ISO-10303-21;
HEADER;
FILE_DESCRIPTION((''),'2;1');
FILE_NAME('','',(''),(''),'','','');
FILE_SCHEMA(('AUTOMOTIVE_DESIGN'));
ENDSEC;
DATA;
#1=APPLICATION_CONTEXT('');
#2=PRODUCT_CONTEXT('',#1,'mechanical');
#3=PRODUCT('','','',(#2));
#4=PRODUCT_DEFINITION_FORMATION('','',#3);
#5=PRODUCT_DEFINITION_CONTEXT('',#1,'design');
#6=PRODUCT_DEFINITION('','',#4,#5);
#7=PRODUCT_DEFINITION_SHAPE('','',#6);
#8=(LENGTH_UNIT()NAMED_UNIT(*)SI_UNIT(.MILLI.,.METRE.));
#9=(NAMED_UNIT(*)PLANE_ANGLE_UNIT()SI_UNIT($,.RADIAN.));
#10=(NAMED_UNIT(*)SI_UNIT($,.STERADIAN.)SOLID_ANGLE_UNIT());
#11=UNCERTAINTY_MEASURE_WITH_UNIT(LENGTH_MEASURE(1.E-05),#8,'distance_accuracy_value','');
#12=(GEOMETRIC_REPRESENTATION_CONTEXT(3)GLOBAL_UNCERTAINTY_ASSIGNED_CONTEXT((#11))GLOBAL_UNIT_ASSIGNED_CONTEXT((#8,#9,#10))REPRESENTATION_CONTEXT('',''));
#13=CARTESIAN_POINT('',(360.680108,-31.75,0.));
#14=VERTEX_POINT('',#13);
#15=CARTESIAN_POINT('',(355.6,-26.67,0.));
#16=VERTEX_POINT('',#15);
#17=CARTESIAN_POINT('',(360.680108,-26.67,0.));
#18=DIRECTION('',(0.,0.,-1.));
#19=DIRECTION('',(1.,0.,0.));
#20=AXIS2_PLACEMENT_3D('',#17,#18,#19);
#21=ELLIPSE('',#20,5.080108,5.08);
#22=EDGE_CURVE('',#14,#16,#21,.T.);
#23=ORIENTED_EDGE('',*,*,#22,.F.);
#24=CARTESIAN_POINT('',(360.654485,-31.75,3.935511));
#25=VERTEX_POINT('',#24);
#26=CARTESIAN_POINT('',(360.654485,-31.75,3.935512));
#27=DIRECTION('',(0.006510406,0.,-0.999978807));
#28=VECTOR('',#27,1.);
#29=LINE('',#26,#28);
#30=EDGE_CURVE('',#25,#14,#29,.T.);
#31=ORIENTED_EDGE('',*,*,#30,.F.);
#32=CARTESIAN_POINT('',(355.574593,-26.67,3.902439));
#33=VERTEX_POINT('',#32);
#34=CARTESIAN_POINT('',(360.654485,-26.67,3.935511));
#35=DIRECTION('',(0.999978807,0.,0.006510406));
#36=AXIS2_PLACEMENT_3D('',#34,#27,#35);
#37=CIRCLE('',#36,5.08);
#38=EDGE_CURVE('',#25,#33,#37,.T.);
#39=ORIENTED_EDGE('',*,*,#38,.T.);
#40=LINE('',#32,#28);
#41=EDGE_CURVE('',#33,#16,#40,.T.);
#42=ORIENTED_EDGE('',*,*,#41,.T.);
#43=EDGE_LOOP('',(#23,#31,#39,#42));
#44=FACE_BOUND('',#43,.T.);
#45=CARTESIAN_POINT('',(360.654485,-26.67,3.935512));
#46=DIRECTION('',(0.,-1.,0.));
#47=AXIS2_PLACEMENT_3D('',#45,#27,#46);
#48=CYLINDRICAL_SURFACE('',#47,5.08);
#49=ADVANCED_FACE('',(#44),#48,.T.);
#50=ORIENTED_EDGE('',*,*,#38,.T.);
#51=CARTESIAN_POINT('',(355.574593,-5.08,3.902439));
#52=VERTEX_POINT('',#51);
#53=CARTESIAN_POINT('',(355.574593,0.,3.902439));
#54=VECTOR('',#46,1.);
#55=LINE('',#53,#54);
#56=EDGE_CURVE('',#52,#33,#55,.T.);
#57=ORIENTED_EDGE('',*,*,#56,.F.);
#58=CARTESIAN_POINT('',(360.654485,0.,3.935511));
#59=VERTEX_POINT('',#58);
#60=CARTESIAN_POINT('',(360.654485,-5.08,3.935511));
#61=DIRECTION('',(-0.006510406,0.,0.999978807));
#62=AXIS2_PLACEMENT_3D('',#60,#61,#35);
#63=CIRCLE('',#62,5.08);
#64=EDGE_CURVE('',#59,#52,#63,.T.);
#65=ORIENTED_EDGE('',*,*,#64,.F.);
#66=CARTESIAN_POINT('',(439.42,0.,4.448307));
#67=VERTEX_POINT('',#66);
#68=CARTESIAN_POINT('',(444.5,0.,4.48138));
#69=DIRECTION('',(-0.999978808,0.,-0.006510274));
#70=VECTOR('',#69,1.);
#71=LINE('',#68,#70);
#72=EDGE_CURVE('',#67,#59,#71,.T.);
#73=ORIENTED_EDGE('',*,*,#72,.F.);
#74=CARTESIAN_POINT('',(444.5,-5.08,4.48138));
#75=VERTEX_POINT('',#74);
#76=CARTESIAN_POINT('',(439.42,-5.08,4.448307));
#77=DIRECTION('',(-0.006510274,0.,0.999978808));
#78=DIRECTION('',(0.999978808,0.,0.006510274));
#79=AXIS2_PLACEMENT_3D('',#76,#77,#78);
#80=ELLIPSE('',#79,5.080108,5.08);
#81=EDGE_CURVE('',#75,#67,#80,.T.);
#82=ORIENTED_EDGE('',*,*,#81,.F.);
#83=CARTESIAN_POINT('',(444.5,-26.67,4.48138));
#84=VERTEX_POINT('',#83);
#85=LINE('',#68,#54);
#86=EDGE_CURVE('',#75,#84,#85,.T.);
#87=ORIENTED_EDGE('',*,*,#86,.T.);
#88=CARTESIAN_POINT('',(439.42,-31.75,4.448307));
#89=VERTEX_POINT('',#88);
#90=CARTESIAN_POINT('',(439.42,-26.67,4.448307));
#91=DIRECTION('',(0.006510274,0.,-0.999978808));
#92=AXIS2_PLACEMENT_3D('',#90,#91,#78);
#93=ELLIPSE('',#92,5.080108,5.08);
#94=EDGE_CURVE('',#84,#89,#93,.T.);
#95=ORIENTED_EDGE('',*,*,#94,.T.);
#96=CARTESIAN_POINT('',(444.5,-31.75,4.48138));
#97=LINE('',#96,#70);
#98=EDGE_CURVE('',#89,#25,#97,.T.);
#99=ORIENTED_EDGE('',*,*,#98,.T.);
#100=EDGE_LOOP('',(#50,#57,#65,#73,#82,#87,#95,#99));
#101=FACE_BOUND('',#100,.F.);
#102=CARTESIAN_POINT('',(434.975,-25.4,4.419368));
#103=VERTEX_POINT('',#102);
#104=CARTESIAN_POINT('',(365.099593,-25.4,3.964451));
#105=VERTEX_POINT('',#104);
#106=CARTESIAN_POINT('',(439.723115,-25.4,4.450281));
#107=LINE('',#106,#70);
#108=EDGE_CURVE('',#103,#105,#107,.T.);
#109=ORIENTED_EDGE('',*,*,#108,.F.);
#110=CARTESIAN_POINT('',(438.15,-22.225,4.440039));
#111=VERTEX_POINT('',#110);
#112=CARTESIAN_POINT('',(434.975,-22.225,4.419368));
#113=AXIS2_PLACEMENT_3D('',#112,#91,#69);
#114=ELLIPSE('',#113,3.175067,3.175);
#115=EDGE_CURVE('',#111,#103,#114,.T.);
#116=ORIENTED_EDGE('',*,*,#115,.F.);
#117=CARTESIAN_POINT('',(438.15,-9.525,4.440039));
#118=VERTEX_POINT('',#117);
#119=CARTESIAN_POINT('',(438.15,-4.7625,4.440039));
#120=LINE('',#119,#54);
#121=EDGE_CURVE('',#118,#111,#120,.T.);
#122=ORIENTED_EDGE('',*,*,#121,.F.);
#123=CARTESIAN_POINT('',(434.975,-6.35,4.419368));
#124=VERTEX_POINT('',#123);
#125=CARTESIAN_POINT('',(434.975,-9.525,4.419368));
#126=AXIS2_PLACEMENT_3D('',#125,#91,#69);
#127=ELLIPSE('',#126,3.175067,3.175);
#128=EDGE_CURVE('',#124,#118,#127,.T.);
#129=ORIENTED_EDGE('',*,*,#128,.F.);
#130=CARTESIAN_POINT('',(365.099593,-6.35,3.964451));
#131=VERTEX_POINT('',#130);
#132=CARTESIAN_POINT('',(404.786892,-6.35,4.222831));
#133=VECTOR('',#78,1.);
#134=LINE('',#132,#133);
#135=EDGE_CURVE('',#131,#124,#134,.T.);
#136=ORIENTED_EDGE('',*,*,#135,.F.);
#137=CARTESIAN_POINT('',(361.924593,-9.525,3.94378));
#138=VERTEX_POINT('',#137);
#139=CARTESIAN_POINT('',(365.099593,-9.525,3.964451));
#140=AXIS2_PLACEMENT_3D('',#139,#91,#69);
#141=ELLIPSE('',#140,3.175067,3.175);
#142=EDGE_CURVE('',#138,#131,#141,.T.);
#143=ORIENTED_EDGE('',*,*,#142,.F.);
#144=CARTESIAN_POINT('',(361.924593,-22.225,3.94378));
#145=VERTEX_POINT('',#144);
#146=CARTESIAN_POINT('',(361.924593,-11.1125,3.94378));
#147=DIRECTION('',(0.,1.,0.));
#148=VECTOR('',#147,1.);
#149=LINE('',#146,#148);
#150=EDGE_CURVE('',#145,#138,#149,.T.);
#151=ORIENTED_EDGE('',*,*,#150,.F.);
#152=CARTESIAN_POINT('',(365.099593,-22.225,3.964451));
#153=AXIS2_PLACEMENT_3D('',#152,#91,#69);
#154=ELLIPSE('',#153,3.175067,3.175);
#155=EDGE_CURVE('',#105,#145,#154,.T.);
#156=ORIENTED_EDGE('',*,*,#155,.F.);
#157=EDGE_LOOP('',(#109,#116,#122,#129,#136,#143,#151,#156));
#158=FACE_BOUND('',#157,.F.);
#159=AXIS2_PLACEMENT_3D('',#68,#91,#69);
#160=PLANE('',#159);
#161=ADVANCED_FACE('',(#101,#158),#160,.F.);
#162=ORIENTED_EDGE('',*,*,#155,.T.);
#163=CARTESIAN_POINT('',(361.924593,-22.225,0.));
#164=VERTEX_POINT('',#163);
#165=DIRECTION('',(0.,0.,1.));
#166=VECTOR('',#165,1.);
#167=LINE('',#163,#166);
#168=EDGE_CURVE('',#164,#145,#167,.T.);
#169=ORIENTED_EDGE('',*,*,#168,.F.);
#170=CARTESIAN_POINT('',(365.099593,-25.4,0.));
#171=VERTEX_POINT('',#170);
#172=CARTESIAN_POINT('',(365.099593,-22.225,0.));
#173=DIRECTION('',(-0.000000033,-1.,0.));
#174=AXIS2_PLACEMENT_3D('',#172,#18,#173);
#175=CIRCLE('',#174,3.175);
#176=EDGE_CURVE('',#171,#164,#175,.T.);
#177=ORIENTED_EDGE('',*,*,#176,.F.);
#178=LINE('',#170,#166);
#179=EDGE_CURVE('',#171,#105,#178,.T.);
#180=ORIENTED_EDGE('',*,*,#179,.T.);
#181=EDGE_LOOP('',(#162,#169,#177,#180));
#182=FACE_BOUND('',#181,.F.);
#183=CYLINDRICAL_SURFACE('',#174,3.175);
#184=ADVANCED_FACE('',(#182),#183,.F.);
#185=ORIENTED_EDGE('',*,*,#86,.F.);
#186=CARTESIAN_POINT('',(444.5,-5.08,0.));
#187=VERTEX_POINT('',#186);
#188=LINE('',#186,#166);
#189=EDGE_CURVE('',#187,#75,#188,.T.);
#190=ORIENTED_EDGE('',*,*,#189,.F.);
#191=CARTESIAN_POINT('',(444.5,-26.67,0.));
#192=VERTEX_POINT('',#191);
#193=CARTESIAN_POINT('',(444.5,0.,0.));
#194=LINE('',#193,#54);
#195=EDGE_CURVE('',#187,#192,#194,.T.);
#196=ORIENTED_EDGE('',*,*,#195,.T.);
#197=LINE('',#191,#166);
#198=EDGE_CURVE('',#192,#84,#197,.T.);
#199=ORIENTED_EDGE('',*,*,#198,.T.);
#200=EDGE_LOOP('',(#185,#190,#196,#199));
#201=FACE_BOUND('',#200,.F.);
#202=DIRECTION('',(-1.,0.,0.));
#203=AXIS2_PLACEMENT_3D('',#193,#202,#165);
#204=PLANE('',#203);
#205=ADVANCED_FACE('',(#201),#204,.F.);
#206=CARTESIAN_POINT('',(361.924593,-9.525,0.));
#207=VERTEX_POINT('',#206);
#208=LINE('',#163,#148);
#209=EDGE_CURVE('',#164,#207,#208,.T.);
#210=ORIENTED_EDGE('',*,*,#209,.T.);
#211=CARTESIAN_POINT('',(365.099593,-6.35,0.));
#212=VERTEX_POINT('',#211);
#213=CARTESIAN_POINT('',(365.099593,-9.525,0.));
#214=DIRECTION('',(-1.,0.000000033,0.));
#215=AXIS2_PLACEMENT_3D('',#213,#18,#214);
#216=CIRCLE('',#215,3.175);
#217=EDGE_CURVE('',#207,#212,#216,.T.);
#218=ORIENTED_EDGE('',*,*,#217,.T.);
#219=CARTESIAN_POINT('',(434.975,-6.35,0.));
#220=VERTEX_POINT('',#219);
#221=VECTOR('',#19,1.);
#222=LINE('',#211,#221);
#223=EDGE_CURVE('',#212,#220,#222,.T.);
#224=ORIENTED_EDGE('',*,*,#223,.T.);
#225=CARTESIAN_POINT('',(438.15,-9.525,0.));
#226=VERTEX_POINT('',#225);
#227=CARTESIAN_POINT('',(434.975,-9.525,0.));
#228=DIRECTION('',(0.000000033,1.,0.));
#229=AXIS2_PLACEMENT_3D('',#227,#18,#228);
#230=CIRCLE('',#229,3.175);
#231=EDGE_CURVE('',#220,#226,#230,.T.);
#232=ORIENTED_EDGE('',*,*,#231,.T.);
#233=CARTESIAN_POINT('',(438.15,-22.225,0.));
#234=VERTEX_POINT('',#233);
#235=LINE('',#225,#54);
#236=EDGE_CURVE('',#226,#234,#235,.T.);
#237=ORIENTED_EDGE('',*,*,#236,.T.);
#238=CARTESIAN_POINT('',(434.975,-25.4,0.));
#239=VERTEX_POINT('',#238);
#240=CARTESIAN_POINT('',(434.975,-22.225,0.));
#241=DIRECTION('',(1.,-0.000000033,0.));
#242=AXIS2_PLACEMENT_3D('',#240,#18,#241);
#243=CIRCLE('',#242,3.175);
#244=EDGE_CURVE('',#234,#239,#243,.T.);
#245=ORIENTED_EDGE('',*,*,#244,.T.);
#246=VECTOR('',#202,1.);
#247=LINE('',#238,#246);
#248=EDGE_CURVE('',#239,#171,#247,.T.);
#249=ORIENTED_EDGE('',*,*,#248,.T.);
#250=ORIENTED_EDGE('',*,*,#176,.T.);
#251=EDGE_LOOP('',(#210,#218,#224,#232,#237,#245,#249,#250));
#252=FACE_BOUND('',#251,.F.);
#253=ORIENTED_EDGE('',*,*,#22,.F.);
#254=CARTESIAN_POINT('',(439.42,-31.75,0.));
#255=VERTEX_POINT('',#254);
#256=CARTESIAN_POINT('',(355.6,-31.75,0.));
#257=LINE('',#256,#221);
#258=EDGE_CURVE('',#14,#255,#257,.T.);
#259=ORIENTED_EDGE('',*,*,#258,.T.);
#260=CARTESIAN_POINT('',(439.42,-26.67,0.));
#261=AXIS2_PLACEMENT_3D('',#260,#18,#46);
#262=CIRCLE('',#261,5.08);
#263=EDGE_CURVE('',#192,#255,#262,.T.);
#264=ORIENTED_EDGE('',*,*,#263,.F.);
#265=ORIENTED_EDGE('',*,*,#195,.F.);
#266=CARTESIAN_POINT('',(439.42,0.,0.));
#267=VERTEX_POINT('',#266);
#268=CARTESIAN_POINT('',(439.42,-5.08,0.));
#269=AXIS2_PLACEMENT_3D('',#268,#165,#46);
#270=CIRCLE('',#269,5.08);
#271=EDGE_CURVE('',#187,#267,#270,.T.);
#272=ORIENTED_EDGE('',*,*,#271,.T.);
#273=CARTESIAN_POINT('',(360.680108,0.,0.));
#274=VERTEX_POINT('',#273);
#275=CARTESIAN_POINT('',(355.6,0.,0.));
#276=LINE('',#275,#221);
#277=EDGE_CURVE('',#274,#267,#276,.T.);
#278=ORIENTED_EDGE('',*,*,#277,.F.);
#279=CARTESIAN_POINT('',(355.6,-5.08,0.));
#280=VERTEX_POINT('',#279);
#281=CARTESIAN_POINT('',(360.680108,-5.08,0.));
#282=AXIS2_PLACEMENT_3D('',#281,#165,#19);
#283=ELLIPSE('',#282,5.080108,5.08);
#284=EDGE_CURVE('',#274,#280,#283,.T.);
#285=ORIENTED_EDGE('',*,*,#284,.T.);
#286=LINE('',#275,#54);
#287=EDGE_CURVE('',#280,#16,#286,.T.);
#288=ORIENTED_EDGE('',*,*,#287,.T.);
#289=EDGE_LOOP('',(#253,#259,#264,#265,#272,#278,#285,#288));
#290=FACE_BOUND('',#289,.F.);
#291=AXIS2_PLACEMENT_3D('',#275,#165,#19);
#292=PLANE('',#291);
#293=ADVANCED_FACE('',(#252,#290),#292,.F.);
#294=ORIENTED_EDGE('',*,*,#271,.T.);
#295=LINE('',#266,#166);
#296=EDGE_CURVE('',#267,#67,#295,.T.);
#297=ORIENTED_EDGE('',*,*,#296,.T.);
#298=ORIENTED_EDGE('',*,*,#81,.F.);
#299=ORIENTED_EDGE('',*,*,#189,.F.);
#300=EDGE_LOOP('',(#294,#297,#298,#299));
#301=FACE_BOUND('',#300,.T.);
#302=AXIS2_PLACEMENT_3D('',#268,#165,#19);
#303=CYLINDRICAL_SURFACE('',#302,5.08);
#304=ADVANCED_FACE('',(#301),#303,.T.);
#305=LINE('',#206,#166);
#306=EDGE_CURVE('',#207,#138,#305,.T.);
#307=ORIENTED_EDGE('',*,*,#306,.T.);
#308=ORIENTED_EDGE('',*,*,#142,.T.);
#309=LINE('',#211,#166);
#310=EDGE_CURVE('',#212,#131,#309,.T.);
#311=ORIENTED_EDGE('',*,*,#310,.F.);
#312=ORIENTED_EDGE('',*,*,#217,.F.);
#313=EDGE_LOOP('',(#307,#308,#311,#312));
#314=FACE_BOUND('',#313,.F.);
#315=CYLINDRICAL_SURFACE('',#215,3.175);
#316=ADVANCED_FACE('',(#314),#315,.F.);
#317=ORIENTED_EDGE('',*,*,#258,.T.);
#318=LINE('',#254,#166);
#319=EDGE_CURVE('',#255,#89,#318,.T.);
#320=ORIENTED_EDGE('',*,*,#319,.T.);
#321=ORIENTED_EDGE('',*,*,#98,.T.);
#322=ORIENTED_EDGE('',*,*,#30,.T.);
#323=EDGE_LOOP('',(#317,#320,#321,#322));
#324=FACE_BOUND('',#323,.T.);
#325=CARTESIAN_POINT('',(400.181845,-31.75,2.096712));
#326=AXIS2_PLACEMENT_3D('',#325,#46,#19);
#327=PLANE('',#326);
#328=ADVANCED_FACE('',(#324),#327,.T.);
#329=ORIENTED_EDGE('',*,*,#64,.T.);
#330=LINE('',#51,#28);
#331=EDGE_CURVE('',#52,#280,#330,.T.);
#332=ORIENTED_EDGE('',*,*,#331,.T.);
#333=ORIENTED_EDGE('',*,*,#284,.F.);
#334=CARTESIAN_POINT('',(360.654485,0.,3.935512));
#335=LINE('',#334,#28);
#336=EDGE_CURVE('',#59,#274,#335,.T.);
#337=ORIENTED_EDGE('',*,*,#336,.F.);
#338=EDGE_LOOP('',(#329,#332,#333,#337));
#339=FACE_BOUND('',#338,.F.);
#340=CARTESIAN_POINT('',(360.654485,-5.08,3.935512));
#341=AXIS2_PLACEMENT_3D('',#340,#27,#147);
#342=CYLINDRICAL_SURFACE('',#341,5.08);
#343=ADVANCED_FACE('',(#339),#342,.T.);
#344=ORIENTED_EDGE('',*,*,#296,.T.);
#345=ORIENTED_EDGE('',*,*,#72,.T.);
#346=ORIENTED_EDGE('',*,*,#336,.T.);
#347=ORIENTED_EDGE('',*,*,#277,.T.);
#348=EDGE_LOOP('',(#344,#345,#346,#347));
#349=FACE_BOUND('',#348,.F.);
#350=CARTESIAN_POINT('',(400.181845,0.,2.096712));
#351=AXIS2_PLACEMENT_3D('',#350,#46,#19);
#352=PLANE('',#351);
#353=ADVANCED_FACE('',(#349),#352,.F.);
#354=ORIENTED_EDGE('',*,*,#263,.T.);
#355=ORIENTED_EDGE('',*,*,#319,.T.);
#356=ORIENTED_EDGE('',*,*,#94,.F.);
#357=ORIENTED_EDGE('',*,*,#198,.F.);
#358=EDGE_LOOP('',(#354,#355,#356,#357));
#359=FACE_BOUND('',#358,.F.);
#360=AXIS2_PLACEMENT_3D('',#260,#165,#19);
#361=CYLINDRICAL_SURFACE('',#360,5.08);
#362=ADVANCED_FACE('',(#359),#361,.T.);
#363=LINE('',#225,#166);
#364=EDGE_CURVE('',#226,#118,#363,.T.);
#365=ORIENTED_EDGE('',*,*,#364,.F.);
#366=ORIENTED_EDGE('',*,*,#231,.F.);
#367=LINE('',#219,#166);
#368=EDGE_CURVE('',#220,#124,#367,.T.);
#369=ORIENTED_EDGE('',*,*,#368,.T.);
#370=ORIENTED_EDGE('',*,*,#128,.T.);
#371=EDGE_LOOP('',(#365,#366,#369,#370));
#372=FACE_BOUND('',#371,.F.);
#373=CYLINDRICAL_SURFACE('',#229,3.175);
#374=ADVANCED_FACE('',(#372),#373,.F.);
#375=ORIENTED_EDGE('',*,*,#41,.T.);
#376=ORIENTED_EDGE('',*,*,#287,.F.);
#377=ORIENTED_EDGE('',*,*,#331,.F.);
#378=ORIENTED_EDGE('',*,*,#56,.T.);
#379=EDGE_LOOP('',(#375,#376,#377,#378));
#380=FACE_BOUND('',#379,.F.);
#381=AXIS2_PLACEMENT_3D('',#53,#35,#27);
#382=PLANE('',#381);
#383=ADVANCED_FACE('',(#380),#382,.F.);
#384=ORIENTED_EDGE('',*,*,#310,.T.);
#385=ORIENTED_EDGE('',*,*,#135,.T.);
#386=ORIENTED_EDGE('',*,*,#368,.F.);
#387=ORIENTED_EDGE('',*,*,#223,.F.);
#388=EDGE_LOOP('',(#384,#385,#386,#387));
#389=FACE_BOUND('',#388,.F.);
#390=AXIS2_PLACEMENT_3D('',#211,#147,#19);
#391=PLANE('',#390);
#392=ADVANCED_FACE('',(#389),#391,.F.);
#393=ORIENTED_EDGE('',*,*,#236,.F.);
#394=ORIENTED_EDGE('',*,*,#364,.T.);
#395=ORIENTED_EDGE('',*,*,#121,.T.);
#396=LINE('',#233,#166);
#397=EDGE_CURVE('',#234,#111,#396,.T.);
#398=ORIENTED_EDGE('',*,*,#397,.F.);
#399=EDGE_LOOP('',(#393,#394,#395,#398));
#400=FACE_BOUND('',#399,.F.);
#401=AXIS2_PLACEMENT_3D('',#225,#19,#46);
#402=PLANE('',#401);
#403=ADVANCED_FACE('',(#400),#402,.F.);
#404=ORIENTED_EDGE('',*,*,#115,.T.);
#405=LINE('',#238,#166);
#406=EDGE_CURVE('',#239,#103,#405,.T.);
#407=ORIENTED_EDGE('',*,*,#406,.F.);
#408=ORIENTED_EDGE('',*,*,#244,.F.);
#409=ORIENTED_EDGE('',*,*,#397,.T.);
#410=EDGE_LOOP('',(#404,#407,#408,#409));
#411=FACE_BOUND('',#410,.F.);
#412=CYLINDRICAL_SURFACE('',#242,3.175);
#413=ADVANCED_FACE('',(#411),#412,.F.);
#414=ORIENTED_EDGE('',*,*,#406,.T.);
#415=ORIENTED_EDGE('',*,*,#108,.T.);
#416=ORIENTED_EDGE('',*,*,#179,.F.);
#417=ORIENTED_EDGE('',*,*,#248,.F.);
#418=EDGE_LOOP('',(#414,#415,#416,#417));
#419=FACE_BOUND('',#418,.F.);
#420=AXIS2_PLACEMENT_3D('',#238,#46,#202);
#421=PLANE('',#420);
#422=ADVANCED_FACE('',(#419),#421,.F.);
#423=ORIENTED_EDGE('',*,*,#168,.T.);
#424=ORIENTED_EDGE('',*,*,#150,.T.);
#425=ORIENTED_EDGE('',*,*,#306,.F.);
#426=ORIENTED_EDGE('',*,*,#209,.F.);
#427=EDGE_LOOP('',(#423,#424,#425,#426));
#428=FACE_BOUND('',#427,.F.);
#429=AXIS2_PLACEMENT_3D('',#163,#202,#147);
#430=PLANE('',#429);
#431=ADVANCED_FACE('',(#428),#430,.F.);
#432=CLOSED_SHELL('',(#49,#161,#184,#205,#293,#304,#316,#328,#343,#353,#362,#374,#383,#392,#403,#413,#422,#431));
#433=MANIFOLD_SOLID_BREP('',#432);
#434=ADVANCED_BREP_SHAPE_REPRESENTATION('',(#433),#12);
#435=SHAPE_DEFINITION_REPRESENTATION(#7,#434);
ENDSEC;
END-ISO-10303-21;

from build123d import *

# Parameters (mm, degrees)
F3_DEPTH = 31.75
F5_DEPTH = 4.48238
F6_R     = 5.08


with BuildPart() as f3:
    # F2 (on Front) → F3 (new body)
    with BuildSketch(Plane.XZ):
        Polygon((444.5, 0), (444.5, 4.48138), (355.574593, 3.902439), (355.6, 0), align=None)
    extrude(amount=F3_DEPTH)

    # F4 (on face) → F5 (cut, through all)
    with BuildSketch(Plane(origin=(0, 0, 0), x_dir=(1, 0, 0), z_dir=(0, 0, -1))):
        with BuildLine():
            Line((434.975, 25.4), (365.099593, 25.4))
            ThreePointArc((365.099593, 25.4), (362.854529, 24.470064), (361.924593, 22.225))
            Line((361.924593, 22.225), (361.924593, 9.525))
            ThreePointArc((361.924593, 9.525), (362.854529, 7.279936), (365.099593, 6.35))
            Line((365.099593, 6.35), (434.975, 6.35))
            ThreePointArc((434.975, 6.35), (437.220064, 7.279936), (438.15, 9.525))
            Line((438.15, 9.525), (438.15, 22.225))
            ThreePointArc((438.15, 22.225), (437.220064, 24.470064), (434.975, 25.4))
        make_face()
    extrude(amount=-F5_DEPTH, mode=Mode.SUBTRACT)

    # F6
    f6_edges = [f3.edges().sort_by_distance(p)[0] for p in [
        (444.5, -31.75, 2.24069),
        (355.587297, -31.75, 1.951219),
        (355.587297, 0, 1.951219),
        (444.5, 0, 2.24069),
    ]]
    fillet(f6_edges, radius=F6_R)


solid = f3.part
